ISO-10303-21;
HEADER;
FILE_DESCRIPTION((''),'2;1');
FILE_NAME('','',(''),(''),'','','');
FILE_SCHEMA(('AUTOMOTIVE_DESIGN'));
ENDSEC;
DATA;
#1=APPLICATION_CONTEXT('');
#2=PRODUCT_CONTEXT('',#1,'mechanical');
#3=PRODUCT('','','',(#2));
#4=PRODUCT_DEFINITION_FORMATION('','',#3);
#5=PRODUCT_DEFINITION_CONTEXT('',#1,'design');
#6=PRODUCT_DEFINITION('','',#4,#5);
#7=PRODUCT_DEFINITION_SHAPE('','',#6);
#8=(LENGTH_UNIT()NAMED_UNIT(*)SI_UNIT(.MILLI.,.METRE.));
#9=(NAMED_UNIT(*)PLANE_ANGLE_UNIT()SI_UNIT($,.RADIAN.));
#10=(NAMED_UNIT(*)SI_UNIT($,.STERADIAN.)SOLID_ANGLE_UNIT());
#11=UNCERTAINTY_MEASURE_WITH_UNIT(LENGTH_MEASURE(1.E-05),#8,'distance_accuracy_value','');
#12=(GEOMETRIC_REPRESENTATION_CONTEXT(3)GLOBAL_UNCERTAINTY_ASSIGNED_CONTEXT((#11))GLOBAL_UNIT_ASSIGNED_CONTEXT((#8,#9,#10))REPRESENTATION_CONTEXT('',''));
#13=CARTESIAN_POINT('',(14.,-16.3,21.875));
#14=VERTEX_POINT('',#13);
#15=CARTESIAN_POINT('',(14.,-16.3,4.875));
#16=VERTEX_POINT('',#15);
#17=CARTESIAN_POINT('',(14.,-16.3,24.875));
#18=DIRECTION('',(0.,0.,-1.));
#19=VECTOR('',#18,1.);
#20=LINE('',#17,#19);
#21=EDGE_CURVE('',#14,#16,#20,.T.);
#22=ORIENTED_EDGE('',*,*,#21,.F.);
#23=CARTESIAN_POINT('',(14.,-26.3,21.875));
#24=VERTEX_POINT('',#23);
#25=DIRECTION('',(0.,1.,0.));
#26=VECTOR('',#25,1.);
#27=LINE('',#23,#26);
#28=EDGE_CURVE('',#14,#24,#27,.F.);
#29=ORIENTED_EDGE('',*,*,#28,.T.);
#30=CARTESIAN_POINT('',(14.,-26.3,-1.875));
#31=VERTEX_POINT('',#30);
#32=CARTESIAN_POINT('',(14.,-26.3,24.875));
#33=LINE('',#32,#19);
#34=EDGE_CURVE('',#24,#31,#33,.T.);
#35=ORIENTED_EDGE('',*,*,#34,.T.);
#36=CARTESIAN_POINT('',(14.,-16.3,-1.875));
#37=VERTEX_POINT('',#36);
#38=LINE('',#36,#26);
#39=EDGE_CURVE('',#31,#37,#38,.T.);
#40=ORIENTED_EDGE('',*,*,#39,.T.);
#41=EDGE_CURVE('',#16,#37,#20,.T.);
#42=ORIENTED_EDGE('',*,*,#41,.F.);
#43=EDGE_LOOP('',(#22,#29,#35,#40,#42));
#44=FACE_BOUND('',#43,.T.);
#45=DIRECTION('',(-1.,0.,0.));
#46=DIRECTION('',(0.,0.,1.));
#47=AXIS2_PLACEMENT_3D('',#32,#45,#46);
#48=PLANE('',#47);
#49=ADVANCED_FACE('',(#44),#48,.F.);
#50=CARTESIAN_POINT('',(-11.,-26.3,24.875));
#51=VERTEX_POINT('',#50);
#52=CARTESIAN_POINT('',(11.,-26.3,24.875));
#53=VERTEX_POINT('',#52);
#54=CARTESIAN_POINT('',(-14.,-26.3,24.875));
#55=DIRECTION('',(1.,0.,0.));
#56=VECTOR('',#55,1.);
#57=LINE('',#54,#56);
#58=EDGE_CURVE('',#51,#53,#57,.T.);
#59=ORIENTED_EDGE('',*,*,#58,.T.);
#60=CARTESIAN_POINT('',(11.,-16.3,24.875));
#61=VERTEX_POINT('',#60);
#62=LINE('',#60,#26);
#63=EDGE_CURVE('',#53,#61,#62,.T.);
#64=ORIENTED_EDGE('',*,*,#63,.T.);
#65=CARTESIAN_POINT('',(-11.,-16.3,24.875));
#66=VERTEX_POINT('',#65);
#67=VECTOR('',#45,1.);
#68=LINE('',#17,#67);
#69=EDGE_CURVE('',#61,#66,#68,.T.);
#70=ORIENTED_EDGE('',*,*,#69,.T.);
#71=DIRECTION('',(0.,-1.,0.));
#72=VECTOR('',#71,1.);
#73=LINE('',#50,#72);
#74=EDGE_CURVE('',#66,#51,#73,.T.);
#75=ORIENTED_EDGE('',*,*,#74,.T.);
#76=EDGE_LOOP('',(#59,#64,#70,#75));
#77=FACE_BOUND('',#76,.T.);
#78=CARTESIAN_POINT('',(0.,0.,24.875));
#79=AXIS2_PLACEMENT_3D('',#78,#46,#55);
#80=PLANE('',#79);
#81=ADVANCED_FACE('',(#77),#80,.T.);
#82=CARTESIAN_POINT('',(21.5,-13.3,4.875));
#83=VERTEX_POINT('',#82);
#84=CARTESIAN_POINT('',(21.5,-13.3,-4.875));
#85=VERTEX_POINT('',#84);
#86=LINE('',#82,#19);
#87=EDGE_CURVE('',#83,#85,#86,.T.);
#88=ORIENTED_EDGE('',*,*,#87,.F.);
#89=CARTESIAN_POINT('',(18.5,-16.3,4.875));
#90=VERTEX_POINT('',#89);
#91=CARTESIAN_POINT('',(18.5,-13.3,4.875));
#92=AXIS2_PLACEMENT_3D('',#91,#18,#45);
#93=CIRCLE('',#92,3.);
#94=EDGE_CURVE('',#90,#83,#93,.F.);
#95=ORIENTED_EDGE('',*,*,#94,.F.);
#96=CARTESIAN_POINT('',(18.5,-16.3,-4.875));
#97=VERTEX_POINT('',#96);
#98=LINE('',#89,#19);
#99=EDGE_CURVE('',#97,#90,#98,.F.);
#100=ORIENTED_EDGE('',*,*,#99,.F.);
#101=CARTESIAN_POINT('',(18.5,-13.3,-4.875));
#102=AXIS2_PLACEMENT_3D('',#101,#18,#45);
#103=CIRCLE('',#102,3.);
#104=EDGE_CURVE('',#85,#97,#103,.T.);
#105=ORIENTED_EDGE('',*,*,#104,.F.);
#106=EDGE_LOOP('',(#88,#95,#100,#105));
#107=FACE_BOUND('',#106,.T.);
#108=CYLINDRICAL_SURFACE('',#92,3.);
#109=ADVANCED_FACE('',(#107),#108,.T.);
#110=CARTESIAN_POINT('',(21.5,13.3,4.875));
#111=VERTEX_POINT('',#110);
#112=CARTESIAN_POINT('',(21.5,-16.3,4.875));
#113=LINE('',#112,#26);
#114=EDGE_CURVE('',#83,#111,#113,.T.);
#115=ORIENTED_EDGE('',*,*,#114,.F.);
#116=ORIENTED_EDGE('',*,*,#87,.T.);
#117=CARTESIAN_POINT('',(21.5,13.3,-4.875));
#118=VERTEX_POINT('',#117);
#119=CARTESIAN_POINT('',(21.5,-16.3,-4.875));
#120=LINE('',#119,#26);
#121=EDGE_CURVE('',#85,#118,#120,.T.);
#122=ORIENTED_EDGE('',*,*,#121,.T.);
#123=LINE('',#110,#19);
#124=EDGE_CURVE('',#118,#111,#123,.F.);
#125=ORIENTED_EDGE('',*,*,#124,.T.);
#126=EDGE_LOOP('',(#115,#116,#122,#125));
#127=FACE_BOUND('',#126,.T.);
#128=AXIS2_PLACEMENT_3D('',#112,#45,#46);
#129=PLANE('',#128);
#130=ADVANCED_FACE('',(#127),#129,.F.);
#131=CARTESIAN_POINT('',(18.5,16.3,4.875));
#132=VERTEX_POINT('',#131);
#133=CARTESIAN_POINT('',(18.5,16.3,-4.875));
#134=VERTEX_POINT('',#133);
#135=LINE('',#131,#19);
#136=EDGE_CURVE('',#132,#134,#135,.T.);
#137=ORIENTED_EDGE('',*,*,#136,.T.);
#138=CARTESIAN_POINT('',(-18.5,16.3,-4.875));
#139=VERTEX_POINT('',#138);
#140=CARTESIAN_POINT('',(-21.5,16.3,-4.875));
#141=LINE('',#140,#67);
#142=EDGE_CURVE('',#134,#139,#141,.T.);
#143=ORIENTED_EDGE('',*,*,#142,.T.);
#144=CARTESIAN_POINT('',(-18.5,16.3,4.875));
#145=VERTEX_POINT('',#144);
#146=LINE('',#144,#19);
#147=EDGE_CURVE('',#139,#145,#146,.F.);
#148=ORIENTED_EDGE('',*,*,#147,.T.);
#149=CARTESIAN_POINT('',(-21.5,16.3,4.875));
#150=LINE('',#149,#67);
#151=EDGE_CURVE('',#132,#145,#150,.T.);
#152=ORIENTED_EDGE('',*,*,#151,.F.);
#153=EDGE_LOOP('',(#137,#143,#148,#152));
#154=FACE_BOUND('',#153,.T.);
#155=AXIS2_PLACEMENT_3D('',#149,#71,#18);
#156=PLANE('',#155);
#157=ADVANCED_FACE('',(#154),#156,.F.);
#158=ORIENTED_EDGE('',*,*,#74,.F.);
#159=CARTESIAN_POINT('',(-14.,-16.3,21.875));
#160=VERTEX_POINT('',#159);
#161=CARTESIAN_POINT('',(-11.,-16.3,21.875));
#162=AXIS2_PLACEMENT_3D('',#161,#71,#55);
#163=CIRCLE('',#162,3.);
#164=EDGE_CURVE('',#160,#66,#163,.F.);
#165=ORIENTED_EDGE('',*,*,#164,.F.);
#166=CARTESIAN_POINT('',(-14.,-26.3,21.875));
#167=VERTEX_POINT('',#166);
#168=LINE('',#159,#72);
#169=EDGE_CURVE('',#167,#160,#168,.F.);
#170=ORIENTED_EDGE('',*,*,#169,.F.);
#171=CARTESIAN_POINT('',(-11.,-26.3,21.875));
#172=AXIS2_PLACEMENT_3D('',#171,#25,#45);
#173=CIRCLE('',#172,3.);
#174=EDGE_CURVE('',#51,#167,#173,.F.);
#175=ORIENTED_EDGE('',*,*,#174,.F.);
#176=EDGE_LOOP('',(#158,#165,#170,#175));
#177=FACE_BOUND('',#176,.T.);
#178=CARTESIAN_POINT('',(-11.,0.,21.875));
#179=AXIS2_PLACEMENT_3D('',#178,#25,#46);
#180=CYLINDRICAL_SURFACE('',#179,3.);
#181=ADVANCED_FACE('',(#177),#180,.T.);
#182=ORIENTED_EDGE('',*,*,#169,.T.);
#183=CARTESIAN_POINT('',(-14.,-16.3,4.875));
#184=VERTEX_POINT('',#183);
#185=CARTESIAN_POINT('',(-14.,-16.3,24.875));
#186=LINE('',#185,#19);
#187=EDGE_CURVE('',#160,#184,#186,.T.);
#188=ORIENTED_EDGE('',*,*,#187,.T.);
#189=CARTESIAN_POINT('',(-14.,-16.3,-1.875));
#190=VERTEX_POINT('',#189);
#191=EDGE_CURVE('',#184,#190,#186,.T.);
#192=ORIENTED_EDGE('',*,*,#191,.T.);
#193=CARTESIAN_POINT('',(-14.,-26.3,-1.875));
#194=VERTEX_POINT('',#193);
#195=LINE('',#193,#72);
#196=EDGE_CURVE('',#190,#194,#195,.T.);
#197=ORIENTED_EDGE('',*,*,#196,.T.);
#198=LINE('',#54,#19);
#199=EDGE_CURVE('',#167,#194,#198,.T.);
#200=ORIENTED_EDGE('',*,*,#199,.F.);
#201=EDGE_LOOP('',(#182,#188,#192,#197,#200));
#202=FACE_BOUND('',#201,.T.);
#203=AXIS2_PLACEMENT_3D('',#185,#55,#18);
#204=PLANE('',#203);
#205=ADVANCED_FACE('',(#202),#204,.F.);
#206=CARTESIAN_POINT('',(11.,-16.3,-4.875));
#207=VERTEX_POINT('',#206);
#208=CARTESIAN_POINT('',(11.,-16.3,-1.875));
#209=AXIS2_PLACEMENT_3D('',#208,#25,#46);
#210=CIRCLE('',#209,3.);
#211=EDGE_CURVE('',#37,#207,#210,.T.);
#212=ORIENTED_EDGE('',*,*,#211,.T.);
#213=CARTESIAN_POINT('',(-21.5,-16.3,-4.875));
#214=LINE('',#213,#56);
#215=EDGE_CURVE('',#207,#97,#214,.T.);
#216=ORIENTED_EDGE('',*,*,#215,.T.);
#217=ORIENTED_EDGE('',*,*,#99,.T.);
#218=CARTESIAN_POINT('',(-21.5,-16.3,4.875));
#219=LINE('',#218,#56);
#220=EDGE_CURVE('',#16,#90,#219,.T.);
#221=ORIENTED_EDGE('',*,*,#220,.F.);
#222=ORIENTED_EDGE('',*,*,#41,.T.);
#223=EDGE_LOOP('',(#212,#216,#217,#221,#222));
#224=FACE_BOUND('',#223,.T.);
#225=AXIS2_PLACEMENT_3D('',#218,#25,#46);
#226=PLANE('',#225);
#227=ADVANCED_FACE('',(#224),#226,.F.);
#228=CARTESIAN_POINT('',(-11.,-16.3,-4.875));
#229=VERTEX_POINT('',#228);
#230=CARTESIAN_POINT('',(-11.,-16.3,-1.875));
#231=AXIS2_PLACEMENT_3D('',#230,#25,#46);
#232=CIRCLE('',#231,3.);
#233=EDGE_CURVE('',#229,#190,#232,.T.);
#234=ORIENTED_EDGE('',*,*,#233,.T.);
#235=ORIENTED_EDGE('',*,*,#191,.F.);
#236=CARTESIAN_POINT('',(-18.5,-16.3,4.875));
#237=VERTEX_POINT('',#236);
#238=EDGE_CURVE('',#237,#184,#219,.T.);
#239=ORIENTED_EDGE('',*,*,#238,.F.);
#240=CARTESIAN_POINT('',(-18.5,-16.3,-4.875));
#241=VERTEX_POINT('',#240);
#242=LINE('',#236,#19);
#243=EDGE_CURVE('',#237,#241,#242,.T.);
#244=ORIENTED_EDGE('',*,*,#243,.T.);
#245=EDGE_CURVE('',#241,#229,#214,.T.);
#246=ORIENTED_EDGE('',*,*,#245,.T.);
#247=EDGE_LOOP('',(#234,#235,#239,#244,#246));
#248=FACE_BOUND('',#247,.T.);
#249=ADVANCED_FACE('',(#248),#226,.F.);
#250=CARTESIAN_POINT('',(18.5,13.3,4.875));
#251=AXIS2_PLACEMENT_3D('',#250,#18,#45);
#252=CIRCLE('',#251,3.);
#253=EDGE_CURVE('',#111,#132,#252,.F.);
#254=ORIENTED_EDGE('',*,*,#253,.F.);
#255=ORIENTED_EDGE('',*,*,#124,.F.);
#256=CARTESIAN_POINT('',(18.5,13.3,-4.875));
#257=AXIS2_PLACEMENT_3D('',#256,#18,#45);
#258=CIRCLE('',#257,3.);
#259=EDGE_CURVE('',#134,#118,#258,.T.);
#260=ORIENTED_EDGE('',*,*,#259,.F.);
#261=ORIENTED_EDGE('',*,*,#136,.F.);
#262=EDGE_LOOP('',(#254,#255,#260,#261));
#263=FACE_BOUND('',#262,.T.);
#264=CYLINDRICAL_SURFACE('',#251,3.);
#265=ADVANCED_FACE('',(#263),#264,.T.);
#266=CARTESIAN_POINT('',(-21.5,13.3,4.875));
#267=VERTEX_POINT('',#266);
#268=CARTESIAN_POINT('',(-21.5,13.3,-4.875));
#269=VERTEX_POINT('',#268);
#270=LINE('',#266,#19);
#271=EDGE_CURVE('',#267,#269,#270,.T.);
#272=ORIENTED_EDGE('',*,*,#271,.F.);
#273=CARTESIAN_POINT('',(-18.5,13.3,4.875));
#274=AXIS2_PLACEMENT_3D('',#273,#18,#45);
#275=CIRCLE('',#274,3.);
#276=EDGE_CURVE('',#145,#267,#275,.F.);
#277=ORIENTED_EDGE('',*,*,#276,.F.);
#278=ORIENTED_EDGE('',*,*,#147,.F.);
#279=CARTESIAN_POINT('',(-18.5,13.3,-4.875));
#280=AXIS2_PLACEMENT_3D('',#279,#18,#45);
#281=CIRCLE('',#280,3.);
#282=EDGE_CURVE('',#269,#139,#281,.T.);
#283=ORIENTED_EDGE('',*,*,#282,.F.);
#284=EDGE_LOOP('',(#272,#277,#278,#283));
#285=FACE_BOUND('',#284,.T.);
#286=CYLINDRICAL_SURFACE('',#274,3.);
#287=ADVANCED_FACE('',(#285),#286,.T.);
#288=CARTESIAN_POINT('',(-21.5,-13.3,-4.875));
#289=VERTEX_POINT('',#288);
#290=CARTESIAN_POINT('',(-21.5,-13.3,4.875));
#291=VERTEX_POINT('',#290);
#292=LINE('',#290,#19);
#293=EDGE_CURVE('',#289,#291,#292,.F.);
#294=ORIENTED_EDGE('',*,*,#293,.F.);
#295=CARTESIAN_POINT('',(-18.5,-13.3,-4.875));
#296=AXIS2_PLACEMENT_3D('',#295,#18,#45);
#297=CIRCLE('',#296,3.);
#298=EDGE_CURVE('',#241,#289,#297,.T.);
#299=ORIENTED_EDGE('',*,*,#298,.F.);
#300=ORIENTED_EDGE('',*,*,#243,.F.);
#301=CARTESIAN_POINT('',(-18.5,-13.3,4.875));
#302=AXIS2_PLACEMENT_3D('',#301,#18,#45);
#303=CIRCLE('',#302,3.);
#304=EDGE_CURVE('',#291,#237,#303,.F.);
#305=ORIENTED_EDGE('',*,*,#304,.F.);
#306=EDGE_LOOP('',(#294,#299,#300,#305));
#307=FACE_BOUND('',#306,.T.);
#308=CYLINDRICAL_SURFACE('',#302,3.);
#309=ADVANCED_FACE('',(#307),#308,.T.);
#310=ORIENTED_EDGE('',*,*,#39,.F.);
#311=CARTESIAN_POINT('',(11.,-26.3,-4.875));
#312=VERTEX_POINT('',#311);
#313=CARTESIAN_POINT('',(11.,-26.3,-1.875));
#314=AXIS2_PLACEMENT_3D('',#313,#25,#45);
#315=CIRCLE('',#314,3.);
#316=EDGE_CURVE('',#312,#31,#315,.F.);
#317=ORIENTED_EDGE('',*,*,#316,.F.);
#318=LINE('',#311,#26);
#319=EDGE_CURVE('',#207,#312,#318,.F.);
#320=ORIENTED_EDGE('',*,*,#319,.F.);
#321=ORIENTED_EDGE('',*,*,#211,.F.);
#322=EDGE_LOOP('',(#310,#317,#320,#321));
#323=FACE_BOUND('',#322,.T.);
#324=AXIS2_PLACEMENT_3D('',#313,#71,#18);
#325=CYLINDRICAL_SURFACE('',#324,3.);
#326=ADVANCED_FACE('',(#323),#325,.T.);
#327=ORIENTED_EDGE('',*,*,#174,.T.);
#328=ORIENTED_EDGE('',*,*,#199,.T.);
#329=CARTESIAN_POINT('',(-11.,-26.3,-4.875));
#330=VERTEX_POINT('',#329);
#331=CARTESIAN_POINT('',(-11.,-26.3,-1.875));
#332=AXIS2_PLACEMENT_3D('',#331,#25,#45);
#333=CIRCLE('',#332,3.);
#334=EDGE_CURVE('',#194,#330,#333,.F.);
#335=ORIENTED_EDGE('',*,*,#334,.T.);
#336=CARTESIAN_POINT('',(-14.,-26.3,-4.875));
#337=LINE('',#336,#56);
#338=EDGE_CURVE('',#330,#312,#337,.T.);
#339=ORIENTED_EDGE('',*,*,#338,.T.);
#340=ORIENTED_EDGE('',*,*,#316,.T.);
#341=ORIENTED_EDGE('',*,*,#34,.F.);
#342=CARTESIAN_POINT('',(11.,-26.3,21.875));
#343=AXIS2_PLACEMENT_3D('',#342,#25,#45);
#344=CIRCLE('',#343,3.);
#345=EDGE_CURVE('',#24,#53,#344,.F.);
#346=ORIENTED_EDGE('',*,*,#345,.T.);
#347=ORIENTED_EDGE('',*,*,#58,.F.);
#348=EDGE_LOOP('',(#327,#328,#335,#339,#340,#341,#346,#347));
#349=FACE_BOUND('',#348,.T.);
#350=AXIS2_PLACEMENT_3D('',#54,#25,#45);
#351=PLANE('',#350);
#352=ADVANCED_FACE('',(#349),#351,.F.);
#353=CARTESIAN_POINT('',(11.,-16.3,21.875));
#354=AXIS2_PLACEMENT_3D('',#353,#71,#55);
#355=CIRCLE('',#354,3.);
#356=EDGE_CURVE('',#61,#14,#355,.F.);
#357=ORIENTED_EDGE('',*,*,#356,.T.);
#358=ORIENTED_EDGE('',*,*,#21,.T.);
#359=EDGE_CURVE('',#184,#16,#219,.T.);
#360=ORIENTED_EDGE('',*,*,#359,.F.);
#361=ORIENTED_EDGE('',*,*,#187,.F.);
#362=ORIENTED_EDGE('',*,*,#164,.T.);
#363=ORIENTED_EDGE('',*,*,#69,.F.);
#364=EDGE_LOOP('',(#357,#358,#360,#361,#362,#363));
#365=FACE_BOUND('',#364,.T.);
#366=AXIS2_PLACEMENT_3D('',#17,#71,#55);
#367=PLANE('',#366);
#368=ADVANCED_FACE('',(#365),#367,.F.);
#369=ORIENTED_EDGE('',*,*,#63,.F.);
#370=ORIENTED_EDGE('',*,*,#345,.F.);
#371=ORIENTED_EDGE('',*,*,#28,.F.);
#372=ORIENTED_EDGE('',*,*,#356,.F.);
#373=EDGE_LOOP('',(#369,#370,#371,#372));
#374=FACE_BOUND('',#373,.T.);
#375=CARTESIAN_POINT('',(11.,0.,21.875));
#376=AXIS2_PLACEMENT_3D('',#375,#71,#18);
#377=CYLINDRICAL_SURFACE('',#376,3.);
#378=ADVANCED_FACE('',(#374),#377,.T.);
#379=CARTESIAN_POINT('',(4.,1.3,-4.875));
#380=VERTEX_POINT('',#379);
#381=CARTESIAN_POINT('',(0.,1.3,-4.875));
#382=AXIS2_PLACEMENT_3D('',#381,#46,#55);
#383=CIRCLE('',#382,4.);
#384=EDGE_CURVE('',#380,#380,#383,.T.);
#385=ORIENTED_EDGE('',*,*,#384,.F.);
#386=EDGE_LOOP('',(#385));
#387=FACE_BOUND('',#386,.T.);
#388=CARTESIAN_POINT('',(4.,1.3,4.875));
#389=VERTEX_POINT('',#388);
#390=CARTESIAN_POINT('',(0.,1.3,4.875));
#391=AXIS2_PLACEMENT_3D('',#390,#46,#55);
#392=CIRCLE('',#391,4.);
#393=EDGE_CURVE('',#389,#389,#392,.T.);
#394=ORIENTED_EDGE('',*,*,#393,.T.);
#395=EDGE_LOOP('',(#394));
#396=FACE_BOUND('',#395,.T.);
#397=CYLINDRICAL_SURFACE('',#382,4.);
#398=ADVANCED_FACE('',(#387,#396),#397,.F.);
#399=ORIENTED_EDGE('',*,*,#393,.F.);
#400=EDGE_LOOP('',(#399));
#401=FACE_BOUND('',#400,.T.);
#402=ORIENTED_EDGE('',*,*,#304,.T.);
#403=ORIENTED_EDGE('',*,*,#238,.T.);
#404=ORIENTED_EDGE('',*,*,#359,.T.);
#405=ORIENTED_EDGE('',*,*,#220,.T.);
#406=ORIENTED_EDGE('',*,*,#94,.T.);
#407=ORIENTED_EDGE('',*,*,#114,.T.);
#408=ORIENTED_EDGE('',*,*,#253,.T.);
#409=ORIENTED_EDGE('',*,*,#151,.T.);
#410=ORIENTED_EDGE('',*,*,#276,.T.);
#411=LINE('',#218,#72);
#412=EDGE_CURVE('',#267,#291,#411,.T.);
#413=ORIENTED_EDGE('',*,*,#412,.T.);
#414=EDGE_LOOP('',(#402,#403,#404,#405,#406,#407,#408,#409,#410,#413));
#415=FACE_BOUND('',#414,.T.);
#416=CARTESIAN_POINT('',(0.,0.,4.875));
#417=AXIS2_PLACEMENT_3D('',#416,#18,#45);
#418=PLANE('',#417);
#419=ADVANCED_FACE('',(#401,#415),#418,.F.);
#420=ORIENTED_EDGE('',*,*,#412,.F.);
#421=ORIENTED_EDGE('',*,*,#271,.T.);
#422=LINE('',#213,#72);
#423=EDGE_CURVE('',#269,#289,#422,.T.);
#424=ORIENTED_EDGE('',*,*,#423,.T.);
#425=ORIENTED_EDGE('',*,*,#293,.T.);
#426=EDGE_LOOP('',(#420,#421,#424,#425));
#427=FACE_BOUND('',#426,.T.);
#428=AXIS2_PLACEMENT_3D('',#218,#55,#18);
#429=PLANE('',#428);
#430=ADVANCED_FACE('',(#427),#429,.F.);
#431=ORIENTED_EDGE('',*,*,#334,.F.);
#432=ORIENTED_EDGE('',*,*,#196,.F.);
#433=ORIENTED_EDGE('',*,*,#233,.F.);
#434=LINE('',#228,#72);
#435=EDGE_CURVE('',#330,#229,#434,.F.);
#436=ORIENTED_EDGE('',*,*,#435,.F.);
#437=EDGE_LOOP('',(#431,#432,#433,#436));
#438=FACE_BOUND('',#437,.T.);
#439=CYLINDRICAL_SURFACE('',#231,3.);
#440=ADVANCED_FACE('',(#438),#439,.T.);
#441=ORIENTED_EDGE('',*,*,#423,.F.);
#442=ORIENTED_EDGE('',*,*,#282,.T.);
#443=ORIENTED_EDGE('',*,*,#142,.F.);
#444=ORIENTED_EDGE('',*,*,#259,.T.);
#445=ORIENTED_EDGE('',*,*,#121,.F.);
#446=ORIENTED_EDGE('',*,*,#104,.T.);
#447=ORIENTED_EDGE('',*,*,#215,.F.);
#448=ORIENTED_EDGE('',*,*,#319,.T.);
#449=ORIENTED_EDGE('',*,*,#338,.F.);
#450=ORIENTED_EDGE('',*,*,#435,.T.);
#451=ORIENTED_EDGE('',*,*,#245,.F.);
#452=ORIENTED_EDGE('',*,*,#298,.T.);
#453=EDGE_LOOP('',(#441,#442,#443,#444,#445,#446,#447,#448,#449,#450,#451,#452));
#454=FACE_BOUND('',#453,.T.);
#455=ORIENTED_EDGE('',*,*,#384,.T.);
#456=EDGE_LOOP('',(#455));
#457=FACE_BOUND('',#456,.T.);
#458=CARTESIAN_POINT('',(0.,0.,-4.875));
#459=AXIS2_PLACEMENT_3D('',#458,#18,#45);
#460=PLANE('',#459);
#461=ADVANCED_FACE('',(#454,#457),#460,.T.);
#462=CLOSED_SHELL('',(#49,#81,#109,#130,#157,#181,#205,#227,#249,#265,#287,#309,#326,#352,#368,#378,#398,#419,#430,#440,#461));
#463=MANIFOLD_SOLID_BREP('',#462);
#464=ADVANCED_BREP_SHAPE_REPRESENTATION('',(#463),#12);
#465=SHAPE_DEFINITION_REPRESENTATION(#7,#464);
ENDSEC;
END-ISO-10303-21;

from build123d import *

# Parameters (mm, degrees)
SKETCH1_W                       = 43
SKETCH1_H                       = 32.6
BOSS_EXTRUDE1_DEPTH             = 4.875
SKETCH2_R                       = 4
CUT_EXTRUDE1_DEPTH              = 29.688020148
BOSS_EXTRUDE3_REACH             = 30.688
SKETCH3_W                       = 28
SKETCH3_H                       = 10
BOSS_EXTRUDE3_DIRECTION_2_DEPTH = 20
FILLET1_R                       = 3


with BuildPart() as part:
    # Sketch1 → Boss-Extrude1 (new, symmetric)
    with BuildSketch(Plane.XY):
        Rectangle(SKETCH1_W, SKETCH1_H)
    extrude(amount=BOSS_EXTRUDE1_DEPTH, both=True)

    # Sketch2 → Cut-Extrude1 (cut, through all)
    with BuildSketch(Plane.XY.offset(4.875)):
        with Locations((0, 1.3)):
            Circle(SKETCH2_R)
    extrude(amount=-CUT_EXTRUDE1_DEPTH, mode=Mode.SUBTRACT)

    # Boss-Extrude3: up to this face of the body (flat: up to its plane)
    boss_extrude3_end = Plane(part.part.faces().sort_by_distance((0, -15.760392735, -4.875))[0])
    # Sketch3 → Boss-Extrude3 (add, up to the picked face)
    with BuildSketch(Plane.XY.offset(4.875), mode=Mode.PRIVATE) as boss_extrude3_sk1:
        with Locations((0, -21.3)):
            Rectangle(SKETCH3_W, SKETCH3_H)
    boss_extrude3_tool1 = split(extrude(boss_extrude3_sk1.sketch, amount=-BOSS_EXTRUDE3_REACH, mode=Mode.PRIVATE), bisect_by=boss_extrude3_end, keep=Keep.BOTH, mode=Mode.PRIVATE)
    add(boss_extrude3_tool1.solids().sort_by(Axis((0, -21.3, 4.875), (0, 0, -1)))[0])

    # Sketch3 → Boss-Extrude3 direction 2 (add)
    with BuildSketch(Plane.XY.offset(4.875)):
        with Locations((0, -21.3)):
            Rectangle(SKETCH3_W, SKETCH3_H)
    extrude(amount=BOSS_EXTRUDE3_DIRECTION_2_DEPTH)

    # Fillet1
    fillet1_edges = [part.edges().sort_by_distance(p)[0] for p in [
        (-14, -21.3, -4.875),
        (14, -21.3, -4.875),
        (-14, -21.3, 24.875),
        (14, -21.3, 24.875),
        (21.5, -16.3, 0),
        (-21.5, -16.3, 0),
        (-21.5, 16.3, 0),
        (21.5, 16.3, 0),
    ]]
    fillet(fillet1_edges, radius=FILLET1_R)


solid = part.part
